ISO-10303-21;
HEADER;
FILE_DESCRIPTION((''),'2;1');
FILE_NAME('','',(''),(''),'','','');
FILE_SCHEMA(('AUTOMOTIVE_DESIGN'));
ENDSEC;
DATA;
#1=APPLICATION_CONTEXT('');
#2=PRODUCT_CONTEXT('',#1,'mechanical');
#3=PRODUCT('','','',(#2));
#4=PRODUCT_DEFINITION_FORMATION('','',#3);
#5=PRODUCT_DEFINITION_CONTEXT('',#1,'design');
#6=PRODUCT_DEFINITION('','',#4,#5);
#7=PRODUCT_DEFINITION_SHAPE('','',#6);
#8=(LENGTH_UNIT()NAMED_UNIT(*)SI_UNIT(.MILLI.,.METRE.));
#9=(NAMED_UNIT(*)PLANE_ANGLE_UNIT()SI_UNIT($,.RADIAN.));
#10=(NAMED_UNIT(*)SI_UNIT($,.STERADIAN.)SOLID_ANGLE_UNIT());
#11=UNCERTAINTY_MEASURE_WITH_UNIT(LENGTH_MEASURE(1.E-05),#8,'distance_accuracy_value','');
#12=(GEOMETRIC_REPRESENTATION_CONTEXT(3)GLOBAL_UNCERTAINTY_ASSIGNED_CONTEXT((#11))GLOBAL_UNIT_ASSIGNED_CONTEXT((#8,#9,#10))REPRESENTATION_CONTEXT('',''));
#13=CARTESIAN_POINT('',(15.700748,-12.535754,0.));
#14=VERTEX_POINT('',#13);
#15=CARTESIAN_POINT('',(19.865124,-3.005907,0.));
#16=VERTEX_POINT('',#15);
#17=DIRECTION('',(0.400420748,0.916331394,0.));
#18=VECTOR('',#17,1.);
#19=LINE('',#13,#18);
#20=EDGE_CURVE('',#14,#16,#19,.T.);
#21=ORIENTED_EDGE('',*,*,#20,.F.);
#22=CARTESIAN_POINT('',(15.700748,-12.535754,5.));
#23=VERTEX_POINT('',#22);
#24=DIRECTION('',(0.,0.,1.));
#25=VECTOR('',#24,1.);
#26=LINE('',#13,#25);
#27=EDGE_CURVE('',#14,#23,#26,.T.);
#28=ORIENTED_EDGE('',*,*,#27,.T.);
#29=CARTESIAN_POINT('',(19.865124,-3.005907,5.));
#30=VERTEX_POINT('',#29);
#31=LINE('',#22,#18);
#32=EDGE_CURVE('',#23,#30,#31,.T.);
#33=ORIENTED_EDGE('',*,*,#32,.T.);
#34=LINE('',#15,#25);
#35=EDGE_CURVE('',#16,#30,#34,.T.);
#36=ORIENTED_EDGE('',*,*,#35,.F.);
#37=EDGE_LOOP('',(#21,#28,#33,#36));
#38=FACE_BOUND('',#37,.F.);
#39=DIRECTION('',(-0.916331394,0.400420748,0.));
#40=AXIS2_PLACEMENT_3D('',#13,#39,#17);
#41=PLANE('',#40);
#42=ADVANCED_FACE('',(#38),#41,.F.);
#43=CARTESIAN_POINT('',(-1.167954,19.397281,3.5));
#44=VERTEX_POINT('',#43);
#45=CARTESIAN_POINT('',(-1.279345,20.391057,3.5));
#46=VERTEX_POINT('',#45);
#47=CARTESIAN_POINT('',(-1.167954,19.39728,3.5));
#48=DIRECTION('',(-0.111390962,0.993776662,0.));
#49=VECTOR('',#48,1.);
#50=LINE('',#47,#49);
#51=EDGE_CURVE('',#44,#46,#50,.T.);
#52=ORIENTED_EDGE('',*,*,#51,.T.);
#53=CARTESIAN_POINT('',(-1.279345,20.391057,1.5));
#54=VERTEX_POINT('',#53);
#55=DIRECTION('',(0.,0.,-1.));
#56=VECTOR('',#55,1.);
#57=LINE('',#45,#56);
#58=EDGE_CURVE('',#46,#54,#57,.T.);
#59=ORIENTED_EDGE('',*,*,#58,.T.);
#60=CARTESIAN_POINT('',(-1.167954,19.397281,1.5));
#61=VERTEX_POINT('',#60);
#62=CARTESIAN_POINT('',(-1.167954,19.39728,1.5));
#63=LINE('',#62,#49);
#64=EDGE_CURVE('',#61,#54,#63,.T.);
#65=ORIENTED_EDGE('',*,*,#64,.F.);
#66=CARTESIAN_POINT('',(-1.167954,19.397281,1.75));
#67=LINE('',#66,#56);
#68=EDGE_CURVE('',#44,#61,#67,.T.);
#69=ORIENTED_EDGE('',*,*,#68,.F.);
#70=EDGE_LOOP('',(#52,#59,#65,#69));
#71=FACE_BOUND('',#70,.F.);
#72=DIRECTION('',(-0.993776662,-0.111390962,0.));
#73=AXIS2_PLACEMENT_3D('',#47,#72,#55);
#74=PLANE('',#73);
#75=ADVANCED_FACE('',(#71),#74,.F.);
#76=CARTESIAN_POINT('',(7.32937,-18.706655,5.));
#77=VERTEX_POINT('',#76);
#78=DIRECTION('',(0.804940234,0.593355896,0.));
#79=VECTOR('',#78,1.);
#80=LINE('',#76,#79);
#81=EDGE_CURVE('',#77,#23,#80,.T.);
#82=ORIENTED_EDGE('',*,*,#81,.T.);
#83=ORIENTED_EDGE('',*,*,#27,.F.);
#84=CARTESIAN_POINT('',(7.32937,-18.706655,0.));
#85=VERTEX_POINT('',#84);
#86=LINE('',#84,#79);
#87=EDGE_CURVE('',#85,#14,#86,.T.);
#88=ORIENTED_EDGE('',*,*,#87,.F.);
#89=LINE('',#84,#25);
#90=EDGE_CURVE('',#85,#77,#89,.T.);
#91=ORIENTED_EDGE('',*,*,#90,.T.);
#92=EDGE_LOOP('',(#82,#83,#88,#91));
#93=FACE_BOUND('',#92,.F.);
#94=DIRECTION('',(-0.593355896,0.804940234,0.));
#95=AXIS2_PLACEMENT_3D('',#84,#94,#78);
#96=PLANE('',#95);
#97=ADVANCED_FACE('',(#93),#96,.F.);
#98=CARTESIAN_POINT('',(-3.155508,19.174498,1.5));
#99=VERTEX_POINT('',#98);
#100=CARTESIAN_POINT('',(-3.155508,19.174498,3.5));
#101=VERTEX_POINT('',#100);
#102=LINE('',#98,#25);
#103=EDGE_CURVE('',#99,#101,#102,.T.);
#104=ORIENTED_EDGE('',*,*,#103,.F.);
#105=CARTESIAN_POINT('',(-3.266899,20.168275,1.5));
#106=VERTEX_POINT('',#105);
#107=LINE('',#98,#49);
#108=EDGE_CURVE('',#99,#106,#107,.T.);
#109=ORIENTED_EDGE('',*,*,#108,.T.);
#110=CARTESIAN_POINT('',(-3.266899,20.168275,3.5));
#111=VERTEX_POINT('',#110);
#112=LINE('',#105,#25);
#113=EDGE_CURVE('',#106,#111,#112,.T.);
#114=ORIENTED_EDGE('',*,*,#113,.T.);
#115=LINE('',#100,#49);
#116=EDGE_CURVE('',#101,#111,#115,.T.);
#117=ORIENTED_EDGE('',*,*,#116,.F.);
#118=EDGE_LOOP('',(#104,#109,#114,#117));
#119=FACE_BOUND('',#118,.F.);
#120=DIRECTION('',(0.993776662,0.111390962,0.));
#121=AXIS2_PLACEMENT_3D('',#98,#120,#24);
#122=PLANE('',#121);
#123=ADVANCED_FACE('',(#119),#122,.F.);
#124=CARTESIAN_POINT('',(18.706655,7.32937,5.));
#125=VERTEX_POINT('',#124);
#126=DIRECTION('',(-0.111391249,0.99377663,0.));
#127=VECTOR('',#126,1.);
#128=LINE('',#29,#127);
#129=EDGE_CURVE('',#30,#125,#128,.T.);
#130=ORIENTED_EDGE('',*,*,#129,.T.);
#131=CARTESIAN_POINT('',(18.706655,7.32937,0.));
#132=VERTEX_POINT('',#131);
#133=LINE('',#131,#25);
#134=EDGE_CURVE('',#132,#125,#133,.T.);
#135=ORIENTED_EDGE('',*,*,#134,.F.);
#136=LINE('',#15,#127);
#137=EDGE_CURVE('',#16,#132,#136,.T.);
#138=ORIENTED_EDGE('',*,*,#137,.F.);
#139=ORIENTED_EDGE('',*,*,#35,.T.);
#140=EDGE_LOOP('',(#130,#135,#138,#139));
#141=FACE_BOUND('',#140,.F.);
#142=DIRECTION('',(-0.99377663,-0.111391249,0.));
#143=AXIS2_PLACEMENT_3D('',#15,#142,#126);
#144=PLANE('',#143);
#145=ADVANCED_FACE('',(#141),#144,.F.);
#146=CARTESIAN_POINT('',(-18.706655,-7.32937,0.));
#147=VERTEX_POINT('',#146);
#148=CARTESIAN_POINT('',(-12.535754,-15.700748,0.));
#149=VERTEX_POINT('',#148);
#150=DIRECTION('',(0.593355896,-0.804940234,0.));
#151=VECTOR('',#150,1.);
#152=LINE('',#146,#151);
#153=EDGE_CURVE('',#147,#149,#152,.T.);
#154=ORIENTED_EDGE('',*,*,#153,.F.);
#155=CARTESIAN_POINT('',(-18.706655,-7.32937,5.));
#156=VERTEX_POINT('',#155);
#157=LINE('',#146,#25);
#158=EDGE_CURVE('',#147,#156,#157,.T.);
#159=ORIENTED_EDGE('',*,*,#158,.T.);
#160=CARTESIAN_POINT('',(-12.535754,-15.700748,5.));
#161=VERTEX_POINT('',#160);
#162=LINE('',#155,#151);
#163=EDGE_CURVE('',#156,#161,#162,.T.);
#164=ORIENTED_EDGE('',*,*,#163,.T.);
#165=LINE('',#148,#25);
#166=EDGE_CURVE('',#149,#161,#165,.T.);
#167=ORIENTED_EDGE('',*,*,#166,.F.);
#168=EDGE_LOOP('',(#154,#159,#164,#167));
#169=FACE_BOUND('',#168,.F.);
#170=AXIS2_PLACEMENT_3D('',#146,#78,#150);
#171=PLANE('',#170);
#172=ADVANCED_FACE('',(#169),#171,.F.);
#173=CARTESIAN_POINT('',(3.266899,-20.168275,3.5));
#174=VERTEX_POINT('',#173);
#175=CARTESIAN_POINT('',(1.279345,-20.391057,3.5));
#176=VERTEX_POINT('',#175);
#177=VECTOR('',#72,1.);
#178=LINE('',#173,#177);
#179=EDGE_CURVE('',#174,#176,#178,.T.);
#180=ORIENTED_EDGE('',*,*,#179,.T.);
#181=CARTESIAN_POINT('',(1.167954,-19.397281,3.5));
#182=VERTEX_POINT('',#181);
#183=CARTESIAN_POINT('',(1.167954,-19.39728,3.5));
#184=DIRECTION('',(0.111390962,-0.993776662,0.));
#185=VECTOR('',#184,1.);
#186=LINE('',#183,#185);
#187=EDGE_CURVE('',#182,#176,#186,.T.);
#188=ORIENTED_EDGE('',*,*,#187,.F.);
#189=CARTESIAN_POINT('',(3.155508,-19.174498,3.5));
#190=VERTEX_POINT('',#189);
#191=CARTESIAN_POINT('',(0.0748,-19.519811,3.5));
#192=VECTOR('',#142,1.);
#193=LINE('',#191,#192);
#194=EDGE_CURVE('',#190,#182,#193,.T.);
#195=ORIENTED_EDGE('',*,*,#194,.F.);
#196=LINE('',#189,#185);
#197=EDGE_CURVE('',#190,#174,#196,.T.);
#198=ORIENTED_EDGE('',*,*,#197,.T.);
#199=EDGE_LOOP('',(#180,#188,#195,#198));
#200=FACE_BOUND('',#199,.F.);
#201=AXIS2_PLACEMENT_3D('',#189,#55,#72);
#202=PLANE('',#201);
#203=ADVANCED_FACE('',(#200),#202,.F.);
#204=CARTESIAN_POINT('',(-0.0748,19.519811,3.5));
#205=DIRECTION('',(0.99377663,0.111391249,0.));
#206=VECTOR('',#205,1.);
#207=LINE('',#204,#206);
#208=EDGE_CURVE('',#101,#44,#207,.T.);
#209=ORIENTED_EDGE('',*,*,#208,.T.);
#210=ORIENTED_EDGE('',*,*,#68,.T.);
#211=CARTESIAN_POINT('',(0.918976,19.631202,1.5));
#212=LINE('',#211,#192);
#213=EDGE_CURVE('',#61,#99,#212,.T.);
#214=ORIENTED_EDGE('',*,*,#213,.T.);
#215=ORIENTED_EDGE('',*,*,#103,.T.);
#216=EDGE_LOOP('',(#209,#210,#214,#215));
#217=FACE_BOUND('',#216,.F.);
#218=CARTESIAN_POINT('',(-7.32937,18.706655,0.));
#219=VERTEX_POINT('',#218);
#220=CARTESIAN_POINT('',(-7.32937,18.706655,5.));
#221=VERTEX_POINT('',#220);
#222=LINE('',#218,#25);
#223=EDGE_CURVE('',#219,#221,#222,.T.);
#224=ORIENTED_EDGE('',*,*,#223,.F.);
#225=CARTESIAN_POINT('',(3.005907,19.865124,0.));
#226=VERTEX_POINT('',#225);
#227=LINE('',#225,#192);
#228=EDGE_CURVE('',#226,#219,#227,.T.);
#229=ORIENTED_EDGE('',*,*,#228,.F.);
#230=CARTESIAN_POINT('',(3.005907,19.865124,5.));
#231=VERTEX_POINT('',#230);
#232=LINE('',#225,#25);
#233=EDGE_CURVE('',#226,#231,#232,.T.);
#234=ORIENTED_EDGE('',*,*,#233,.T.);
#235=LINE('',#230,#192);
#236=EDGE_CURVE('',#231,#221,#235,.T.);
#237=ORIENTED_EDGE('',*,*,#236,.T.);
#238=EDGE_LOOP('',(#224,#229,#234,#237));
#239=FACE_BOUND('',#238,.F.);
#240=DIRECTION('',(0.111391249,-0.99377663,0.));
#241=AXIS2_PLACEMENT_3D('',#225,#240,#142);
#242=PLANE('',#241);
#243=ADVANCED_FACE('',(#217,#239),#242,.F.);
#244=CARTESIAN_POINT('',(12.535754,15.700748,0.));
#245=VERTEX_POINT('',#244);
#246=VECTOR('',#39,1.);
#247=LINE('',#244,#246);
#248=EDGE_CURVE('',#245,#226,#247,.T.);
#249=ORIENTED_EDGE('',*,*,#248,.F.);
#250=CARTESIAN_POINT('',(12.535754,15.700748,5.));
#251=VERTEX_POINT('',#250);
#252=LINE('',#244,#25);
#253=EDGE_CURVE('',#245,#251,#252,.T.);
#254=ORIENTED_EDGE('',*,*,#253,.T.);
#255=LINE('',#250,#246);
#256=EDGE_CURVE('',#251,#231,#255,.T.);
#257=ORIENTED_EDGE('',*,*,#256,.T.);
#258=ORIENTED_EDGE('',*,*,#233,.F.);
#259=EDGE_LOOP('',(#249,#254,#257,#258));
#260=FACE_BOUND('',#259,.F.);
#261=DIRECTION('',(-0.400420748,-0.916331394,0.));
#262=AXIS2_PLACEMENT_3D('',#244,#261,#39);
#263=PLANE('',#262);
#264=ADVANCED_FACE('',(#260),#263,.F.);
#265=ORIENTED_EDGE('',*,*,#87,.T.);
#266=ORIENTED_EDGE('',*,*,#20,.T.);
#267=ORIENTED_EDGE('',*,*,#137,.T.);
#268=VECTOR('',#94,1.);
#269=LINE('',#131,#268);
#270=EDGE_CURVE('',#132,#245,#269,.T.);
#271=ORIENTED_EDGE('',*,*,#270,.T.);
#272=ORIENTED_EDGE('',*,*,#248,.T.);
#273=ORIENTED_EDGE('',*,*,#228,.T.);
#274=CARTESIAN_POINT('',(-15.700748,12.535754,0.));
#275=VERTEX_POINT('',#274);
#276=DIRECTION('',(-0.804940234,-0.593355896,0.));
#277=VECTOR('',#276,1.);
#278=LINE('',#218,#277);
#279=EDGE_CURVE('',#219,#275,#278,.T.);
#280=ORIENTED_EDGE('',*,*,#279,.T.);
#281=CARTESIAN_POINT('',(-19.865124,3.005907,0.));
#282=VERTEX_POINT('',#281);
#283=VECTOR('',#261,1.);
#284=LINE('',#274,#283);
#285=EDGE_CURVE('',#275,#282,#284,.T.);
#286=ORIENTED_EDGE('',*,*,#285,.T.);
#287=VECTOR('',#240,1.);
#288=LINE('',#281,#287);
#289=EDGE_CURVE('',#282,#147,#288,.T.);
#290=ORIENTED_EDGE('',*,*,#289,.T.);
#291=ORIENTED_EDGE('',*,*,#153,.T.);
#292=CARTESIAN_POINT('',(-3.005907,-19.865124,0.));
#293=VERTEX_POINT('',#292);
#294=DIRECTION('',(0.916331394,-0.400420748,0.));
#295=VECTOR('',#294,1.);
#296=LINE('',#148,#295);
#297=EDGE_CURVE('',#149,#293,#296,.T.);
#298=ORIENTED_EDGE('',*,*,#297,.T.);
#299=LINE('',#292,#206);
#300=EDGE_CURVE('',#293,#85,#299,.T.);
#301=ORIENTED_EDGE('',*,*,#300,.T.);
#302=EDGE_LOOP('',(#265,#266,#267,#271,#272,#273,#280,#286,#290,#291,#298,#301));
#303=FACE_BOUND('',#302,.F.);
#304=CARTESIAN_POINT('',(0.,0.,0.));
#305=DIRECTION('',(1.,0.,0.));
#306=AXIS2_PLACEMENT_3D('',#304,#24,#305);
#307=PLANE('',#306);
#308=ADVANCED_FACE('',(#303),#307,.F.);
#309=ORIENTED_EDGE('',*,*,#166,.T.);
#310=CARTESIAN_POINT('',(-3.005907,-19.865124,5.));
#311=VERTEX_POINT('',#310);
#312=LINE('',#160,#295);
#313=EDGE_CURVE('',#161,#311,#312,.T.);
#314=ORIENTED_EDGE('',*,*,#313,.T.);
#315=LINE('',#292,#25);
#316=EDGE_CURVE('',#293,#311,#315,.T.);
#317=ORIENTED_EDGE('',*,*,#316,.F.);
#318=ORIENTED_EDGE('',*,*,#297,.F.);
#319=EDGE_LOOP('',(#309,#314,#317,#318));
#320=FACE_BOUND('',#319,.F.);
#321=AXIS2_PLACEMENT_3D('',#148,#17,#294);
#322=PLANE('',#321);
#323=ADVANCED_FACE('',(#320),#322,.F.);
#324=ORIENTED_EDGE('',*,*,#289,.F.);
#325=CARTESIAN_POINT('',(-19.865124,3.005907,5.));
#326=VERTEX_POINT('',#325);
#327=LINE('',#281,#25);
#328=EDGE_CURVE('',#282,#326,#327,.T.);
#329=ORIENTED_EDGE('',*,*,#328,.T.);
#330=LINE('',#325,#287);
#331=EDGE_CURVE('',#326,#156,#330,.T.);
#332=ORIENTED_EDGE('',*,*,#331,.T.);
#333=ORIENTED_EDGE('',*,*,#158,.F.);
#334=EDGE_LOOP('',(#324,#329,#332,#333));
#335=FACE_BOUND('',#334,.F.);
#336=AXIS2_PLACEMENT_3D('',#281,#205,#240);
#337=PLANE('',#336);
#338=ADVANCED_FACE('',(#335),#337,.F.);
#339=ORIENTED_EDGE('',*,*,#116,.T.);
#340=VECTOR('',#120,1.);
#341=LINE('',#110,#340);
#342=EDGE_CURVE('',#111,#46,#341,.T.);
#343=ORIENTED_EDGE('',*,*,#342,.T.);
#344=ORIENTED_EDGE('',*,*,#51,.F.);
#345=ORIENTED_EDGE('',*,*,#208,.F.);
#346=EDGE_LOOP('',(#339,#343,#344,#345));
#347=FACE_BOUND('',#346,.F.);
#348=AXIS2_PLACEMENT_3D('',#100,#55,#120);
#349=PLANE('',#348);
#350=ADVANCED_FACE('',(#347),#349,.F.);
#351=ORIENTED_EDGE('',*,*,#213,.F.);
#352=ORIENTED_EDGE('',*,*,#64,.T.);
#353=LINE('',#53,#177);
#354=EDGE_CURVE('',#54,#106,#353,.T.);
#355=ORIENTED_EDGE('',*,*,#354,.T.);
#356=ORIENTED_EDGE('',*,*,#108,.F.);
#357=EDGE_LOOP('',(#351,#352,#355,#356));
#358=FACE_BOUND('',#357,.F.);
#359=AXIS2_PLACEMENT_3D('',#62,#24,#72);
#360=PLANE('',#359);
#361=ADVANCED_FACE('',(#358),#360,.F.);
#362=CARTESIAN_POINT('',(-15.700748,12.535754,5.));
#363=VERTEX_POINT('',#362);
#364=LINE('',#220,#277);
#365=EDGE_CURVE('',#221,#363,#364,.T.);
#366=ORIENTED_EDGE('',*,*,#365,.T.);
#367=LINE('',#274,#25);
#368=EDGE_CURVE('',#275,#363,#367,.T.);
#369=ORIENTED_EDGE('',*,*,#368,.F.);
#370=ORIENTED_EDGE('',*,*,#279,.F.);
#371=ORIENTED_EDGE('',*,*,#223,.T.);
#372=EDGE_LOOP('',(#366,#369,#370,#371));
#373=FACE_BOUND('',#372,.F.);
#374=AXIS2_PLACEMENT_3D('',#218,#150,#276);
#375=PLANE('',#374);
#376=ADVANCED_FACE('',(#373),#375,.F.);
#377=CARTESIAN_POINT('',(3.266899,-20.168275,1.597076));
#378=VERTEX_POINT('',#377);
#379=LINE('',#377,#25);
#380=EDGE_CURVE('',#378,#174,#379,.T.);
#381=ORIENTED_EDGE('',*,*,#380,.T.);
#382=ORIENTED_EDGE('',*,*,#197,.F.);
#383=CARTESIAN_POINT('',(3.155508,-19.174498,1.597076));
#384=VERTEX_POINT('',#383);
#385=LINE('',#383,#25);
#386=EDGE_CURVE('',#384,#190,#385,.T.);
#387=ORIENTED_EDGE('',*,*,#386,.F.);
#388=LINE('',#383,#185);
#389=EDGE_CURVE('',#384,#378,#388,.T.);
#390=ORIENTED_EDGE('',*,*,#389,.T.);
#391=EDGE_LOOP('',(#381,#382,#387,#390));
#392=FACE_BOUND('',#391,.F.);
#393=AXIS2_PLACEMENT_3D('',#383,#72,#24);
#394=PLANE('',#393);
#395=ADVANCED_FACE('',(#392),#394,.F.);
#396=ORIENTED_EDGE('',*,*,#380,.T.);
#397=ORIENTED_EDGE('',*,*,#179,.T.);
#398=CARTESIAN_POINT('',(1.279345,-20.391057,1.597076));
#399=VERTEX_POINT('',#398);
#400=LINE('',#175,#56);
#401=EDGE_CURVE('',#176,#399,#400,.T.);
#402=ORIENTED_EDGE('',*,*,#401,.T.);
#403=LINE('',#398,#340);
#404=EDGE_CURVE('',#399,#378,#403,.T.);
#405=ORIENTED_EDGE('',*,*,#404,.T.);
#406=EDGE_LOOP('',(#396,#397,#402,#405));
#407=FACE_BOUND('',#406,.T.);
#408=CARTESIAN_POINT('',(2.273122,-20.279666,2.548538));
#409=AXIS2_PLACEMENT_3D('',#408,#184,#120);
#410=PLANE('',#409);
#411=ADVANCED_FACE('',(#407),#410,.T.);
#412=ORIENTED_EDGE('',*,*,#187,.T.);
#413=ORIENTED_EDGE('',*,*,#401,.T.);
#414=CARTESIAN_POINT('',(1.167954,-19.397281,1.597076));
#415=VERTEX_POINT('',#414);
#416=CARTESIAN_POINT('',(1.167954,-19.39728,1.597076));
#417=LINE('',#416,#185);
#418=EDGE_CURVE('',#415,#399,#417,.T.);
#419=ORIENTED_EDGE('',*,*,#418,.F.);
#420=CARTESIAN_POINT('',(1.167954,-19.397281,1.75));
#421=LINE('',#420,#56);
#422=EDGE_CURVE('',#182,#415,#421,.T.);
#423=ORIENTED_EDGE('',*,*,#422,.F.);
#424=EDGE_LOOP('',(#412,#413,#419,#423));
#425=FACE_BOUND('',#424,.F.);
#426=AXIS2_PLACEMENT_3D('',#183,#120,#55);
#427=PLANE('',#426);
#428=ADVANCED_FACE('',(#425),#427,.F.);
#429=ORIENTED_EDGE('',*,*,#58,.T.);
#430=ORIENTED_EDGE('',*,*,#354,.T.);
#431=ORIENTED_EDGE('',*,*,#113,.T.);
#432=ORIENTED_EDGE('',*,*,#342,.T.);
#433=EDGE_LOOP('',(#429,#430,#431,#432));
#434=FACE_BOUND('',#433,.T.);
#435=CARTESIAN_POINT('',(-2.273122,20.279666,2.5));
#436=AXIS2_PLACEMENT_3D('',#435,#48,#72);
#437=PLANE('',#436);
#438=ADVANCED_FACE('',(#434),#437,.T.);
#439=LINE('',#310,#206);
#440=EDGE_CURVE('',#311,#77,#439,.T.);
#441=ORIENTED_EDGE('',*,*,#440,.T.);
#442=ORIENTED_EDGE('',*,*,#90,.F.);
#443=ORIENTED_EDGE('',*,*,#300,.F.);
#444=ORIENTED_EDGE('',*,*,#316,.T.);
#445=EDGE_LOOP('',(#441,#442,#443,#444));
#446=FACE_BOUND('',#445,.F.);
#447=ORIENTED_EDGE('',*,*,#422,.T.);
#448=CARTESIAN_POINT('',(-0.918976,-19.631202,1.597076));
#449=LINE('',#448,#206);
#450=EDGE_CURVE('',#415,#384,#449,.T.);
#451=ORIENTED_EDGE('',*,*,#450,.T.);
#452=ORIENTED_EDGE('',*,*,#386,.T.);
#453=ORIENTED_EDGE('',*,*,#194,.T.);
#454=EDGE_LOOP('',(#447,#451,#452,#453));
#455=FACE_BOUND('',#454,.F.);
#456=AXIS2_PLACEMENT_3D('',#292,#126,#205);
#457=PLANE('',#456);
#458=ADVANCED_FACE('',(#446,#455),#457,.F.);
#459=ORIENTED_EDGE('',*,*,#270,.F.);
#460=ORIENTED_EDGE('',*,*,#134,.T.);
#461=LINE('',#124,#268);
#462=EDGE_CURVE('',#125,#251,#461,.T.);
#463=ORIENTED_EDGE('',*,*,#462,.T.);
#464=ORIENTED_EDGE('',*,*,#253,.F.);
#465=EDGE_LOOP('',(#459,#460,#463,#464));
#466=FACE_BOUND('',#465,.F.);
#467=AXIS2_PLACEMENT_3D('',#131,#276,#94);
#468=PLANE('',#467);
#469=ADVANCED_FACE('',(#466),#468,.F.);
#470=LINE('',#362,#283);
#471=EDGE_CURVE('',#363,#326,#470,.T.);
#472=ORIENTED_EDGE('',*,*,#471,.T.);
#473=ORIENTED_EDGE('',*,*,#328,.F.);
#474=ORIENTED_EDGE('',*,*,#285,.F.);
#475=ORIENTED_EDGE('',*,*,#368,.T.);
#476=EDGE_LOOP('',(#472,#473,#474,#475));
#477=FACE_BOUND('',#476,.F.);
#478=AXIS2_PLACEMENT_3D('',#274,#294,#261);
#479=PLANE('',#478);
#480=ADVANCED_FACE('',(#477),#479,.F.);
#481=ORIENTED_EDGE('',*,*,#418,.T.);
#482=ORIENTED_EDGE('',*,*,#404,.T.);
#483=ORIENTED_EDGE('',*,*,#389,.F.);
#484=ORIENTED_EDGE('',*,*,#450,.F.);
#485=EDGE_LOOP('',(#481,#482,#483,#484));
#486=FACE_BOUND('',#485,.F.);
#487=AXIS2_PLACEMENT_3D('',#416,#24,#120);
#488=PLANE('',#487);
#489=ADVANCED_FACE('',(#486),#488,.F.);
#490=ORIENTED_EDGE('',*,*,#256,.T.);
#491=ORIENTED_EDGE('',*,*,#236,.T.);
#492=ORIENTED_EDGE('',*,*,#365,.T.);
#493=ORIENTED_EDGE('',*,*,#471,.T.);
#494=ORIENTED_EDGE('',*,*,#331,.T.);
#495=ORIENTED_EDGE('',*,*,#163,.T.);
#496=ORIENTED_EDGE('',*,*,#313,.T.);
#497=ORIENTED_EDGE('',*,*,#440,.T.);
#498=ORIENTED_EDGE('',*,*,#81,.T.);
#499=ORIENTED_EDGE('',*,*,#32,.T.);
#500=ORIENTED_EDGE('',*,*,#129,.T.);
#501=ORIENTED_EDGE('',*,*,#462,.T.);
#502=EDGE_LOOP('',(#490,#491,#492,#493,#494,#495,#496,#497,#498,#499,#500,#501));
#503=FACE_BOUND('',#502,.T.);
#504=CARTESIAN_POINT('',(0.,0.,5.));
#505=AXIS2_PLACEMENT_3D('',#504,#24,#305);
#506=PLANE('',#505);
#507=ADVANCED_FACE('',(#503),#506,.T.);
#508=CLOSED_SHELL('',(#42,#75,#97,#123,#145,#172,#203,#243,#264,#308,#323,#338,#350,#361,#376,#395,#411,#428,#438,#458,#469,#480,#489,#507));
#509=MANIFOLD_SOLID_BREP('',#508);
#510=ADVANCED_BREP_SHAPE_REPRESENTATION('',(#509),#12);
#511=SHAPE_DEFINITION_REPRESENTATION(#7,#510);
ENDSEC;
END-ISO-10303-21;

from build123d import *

# Parameters (mm, degrees)
F1_DEPTH = 5
F3_DEPTH = 1
F5_DEPTH = 1


with BuildPart() as f1:
    # F0 (on Top) → F1 (new body)
    with BuildSketch(Plane.XY):
        Polygon((18.706655, 7.32937), (12.535754, 15.700748), (3.005907, 19.865124), (-7.32937, 18.706655), (-15.700748, 12.535754), (-19.865124, 3.005907), (-18.706655, -7.32937), (-12.535754, -15.700748), (-3.005907, -19.865124), (7.32937, -18.706655), (15.700748, -12.535754), (19.865124, -3.005907), align=None)
    extrude(amount=F1_DEPTH)

    # F2 (on face) → F3 (join)
    with BuildSketch(Plane(origin=(-2.161731, 19.285889, 0), x_dir=(-0.993777, -0.111391, 0), z_dir=(-0.111391, 0.993777, 0))):
        Polygon((1, 3.5), (0, 3.5), (-1, 3.5), (-1, 1.5), (0, 1.5), (1, 1.5), align=None)
    extrude(amount=F3_DEPTH)

    # F4 (on face) → F5 (join)
    with BuildSketch(Plane(origin=(2.161731, -19.285889, 0), x_dir=(0.993777, 0.111391, 0), z_dir=(0.111391, -0.993777, 0))):
        Polygon((1, 3.5), (0, 3.5), (-1, 3.5), (-1, 1.597076), (1, 1.597076), align=None)
    extrude(amount=F5_DEPTH)


solid = f1.part
